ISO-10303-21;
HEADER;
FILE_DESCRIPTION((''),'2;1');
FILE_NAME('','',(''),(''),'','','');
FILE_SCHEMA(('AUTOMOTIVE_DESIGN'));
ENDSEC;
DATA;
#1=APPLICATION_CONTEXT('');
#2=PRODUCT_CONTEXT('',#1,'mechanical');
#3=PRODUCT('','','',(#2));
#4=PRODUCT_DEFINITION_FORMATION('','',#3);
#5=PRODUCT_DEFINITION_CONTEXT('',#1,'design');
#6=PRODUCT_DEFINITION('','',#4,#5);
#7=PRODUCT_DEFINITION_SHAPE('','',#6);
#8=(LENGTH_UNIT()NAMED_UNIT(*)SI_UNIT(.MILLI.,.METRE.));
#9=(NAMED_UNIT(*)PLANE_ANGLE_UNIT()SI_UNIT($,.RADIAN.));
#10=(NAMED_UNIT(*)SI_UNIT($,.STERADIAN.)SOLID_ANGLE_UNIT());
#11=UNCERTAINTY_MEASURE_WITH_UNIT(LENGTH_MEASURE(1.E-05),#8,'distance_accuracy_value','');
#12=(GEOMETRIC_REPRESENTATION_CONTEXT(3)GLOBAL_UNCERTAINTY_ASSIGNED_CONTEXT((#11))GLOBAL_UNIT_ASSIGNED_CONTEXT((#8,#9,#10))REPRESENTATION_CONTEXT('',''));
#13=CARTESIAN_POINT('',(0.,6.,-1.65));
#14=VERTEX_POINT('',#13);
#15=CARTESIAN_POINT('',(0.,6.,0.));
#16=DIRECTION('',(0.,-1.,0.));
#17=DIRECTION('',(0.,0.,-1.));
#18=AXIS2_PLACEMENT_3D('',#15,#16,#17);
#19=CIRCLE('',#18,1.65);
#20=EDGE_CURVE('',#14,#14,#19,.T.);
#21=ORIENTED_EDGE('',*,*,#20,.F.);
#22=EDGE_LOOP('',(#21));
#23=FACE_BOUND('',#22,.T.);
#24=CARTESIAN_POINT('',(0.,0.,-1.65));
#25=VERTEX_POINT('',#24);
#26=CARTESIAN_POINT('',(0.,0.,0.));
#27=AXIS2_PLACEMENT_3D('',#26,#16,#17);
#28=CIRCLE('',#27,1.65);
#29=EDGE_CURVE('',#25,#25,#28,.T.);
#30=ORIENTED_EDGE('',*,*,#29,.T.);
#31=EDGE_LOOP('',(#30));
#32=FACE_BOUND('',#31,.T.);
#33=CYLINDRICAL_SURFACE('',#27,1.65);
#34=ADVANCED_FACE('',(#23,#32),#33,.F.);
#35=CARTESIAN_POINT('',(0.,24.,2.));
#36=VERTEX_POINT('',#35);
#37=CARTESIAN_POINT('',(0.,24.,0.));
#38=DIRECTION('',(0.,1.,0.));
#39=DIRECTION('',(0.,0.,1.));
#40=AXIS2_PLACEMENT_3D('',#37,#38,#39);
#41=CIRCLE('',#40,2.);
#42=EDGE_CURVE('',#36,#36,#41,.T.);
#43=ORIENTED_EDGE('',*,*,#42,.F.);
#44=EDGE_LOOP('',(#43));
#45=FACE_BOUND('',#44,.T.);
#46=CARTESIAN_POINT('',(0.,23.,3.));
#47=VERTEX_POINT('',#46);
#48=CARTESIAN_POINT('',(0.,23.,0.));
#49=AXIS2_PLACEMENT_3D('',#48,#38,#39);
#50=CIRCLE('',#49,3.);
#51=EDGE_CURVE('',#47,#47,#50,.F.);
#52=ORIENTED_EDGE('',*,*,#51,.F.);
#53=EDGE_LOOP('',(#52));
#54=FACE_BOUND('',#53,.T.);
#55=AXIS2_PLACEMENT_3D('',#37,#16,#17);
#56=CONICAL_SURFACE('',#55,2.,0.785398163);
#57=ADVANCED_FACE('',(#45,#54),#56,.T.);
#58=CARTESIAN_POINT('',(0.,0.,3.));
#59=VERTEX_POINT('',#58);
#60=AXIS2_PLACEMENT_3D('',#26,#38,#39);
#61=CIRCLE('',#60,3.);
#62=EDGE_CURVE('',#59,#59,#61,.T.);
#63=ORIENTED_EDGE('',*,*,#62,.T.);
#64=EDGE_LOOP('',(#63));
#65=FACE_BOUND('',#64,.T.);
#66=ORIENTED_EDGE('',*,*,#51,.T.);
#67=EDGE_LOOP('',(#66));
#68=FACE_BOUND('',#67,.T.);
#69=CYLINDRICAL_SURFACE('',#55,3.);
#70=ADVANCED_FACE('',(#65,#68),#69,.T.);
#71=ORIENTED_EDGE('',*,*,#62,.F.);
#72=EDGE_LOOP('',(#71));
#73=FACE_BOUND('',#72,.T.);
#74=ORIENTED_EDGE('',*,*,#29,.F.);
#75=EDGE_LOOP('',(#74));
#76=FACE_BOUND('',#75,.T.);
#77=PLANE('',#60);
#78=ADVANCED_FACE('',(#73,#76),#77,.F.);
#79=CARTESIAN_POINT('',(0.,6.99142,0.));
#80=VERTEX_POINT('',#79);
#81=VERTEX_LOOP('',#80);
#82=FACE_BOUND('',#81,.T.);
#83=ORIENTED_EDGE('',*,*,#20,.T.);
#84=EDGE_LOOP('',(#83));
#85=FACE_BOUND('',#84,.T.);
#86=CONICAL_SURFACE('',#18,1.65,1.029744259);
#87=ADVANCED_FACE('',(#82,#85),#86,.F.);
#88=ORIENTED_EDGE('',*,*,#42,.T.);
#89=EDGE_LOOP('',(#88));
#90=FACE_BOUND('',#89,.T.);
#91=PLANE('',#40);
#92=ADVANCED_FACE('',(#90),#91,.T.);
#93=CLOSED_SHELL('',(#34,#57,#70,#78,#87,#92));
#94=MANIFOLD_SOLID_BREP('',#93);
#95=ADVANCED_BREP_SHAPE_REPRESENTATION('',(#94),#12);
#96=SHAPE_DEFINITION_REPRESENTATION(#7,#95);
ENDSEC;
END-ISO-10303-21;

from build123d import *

# Parameters (mm, degrees)
SKETCH1_R                 = 3
BOSS_EXTRUDE1_DEPTH       = 24
CHAMFER1_SIZE             = 1
M4X0_7_TAPPED_HOLE1_D     = 3.3
M4X0_7_TAPPED_HOLE1_DEPTH = 6
M4X0_7_TAPPED_HOLE1_TIP   = 0.991420021


with BuildPart() as part:
    # Sketch1 → Boss-Extrude1 (new body)
    with BuildSketch(Plane(origin=(0, 0, 0), x_dir=(1, 0, 0), z_dir=(0, 1, 0))):
        with Locations(Location((0, 0, 0), (0, 0, 270))):
            Circle(SKETCH1_R)
    extrude(amount=BOSS_EXTRUDE1_DEPTH)

    # Chamfer1
    chamfer1_edges = [part.edges().sort_by_distance(p)[0] for p in [
        (0, 24, -3),
    ]]
    chamfer(chamfer1_edges, length=CHAMFER1_SIZE)

    # M4x0.7 Tapped Hole1
    with Locations(Plane.XZ):
        with Locations((0, 0)):
            Hole(M4X0_7_TAPPED_HOLE1_D / 2, depth=M4X0_7_TAPPED_HOLE1_DEPTH)
            with Locations((0, 0, -(M4X0_7_TAPPED_HOLE1_DEPTH + M4X0_7_TAPPED_HOLE1_TIP / 2))):  # 118° drill point
                Cone(0, M4X0_7_TAPPED_HOLE1_D / 2, M4X0_7_TAPPED_HOLE1_TIP, mode=Mode.SUBTRACT)


solid = part.part
